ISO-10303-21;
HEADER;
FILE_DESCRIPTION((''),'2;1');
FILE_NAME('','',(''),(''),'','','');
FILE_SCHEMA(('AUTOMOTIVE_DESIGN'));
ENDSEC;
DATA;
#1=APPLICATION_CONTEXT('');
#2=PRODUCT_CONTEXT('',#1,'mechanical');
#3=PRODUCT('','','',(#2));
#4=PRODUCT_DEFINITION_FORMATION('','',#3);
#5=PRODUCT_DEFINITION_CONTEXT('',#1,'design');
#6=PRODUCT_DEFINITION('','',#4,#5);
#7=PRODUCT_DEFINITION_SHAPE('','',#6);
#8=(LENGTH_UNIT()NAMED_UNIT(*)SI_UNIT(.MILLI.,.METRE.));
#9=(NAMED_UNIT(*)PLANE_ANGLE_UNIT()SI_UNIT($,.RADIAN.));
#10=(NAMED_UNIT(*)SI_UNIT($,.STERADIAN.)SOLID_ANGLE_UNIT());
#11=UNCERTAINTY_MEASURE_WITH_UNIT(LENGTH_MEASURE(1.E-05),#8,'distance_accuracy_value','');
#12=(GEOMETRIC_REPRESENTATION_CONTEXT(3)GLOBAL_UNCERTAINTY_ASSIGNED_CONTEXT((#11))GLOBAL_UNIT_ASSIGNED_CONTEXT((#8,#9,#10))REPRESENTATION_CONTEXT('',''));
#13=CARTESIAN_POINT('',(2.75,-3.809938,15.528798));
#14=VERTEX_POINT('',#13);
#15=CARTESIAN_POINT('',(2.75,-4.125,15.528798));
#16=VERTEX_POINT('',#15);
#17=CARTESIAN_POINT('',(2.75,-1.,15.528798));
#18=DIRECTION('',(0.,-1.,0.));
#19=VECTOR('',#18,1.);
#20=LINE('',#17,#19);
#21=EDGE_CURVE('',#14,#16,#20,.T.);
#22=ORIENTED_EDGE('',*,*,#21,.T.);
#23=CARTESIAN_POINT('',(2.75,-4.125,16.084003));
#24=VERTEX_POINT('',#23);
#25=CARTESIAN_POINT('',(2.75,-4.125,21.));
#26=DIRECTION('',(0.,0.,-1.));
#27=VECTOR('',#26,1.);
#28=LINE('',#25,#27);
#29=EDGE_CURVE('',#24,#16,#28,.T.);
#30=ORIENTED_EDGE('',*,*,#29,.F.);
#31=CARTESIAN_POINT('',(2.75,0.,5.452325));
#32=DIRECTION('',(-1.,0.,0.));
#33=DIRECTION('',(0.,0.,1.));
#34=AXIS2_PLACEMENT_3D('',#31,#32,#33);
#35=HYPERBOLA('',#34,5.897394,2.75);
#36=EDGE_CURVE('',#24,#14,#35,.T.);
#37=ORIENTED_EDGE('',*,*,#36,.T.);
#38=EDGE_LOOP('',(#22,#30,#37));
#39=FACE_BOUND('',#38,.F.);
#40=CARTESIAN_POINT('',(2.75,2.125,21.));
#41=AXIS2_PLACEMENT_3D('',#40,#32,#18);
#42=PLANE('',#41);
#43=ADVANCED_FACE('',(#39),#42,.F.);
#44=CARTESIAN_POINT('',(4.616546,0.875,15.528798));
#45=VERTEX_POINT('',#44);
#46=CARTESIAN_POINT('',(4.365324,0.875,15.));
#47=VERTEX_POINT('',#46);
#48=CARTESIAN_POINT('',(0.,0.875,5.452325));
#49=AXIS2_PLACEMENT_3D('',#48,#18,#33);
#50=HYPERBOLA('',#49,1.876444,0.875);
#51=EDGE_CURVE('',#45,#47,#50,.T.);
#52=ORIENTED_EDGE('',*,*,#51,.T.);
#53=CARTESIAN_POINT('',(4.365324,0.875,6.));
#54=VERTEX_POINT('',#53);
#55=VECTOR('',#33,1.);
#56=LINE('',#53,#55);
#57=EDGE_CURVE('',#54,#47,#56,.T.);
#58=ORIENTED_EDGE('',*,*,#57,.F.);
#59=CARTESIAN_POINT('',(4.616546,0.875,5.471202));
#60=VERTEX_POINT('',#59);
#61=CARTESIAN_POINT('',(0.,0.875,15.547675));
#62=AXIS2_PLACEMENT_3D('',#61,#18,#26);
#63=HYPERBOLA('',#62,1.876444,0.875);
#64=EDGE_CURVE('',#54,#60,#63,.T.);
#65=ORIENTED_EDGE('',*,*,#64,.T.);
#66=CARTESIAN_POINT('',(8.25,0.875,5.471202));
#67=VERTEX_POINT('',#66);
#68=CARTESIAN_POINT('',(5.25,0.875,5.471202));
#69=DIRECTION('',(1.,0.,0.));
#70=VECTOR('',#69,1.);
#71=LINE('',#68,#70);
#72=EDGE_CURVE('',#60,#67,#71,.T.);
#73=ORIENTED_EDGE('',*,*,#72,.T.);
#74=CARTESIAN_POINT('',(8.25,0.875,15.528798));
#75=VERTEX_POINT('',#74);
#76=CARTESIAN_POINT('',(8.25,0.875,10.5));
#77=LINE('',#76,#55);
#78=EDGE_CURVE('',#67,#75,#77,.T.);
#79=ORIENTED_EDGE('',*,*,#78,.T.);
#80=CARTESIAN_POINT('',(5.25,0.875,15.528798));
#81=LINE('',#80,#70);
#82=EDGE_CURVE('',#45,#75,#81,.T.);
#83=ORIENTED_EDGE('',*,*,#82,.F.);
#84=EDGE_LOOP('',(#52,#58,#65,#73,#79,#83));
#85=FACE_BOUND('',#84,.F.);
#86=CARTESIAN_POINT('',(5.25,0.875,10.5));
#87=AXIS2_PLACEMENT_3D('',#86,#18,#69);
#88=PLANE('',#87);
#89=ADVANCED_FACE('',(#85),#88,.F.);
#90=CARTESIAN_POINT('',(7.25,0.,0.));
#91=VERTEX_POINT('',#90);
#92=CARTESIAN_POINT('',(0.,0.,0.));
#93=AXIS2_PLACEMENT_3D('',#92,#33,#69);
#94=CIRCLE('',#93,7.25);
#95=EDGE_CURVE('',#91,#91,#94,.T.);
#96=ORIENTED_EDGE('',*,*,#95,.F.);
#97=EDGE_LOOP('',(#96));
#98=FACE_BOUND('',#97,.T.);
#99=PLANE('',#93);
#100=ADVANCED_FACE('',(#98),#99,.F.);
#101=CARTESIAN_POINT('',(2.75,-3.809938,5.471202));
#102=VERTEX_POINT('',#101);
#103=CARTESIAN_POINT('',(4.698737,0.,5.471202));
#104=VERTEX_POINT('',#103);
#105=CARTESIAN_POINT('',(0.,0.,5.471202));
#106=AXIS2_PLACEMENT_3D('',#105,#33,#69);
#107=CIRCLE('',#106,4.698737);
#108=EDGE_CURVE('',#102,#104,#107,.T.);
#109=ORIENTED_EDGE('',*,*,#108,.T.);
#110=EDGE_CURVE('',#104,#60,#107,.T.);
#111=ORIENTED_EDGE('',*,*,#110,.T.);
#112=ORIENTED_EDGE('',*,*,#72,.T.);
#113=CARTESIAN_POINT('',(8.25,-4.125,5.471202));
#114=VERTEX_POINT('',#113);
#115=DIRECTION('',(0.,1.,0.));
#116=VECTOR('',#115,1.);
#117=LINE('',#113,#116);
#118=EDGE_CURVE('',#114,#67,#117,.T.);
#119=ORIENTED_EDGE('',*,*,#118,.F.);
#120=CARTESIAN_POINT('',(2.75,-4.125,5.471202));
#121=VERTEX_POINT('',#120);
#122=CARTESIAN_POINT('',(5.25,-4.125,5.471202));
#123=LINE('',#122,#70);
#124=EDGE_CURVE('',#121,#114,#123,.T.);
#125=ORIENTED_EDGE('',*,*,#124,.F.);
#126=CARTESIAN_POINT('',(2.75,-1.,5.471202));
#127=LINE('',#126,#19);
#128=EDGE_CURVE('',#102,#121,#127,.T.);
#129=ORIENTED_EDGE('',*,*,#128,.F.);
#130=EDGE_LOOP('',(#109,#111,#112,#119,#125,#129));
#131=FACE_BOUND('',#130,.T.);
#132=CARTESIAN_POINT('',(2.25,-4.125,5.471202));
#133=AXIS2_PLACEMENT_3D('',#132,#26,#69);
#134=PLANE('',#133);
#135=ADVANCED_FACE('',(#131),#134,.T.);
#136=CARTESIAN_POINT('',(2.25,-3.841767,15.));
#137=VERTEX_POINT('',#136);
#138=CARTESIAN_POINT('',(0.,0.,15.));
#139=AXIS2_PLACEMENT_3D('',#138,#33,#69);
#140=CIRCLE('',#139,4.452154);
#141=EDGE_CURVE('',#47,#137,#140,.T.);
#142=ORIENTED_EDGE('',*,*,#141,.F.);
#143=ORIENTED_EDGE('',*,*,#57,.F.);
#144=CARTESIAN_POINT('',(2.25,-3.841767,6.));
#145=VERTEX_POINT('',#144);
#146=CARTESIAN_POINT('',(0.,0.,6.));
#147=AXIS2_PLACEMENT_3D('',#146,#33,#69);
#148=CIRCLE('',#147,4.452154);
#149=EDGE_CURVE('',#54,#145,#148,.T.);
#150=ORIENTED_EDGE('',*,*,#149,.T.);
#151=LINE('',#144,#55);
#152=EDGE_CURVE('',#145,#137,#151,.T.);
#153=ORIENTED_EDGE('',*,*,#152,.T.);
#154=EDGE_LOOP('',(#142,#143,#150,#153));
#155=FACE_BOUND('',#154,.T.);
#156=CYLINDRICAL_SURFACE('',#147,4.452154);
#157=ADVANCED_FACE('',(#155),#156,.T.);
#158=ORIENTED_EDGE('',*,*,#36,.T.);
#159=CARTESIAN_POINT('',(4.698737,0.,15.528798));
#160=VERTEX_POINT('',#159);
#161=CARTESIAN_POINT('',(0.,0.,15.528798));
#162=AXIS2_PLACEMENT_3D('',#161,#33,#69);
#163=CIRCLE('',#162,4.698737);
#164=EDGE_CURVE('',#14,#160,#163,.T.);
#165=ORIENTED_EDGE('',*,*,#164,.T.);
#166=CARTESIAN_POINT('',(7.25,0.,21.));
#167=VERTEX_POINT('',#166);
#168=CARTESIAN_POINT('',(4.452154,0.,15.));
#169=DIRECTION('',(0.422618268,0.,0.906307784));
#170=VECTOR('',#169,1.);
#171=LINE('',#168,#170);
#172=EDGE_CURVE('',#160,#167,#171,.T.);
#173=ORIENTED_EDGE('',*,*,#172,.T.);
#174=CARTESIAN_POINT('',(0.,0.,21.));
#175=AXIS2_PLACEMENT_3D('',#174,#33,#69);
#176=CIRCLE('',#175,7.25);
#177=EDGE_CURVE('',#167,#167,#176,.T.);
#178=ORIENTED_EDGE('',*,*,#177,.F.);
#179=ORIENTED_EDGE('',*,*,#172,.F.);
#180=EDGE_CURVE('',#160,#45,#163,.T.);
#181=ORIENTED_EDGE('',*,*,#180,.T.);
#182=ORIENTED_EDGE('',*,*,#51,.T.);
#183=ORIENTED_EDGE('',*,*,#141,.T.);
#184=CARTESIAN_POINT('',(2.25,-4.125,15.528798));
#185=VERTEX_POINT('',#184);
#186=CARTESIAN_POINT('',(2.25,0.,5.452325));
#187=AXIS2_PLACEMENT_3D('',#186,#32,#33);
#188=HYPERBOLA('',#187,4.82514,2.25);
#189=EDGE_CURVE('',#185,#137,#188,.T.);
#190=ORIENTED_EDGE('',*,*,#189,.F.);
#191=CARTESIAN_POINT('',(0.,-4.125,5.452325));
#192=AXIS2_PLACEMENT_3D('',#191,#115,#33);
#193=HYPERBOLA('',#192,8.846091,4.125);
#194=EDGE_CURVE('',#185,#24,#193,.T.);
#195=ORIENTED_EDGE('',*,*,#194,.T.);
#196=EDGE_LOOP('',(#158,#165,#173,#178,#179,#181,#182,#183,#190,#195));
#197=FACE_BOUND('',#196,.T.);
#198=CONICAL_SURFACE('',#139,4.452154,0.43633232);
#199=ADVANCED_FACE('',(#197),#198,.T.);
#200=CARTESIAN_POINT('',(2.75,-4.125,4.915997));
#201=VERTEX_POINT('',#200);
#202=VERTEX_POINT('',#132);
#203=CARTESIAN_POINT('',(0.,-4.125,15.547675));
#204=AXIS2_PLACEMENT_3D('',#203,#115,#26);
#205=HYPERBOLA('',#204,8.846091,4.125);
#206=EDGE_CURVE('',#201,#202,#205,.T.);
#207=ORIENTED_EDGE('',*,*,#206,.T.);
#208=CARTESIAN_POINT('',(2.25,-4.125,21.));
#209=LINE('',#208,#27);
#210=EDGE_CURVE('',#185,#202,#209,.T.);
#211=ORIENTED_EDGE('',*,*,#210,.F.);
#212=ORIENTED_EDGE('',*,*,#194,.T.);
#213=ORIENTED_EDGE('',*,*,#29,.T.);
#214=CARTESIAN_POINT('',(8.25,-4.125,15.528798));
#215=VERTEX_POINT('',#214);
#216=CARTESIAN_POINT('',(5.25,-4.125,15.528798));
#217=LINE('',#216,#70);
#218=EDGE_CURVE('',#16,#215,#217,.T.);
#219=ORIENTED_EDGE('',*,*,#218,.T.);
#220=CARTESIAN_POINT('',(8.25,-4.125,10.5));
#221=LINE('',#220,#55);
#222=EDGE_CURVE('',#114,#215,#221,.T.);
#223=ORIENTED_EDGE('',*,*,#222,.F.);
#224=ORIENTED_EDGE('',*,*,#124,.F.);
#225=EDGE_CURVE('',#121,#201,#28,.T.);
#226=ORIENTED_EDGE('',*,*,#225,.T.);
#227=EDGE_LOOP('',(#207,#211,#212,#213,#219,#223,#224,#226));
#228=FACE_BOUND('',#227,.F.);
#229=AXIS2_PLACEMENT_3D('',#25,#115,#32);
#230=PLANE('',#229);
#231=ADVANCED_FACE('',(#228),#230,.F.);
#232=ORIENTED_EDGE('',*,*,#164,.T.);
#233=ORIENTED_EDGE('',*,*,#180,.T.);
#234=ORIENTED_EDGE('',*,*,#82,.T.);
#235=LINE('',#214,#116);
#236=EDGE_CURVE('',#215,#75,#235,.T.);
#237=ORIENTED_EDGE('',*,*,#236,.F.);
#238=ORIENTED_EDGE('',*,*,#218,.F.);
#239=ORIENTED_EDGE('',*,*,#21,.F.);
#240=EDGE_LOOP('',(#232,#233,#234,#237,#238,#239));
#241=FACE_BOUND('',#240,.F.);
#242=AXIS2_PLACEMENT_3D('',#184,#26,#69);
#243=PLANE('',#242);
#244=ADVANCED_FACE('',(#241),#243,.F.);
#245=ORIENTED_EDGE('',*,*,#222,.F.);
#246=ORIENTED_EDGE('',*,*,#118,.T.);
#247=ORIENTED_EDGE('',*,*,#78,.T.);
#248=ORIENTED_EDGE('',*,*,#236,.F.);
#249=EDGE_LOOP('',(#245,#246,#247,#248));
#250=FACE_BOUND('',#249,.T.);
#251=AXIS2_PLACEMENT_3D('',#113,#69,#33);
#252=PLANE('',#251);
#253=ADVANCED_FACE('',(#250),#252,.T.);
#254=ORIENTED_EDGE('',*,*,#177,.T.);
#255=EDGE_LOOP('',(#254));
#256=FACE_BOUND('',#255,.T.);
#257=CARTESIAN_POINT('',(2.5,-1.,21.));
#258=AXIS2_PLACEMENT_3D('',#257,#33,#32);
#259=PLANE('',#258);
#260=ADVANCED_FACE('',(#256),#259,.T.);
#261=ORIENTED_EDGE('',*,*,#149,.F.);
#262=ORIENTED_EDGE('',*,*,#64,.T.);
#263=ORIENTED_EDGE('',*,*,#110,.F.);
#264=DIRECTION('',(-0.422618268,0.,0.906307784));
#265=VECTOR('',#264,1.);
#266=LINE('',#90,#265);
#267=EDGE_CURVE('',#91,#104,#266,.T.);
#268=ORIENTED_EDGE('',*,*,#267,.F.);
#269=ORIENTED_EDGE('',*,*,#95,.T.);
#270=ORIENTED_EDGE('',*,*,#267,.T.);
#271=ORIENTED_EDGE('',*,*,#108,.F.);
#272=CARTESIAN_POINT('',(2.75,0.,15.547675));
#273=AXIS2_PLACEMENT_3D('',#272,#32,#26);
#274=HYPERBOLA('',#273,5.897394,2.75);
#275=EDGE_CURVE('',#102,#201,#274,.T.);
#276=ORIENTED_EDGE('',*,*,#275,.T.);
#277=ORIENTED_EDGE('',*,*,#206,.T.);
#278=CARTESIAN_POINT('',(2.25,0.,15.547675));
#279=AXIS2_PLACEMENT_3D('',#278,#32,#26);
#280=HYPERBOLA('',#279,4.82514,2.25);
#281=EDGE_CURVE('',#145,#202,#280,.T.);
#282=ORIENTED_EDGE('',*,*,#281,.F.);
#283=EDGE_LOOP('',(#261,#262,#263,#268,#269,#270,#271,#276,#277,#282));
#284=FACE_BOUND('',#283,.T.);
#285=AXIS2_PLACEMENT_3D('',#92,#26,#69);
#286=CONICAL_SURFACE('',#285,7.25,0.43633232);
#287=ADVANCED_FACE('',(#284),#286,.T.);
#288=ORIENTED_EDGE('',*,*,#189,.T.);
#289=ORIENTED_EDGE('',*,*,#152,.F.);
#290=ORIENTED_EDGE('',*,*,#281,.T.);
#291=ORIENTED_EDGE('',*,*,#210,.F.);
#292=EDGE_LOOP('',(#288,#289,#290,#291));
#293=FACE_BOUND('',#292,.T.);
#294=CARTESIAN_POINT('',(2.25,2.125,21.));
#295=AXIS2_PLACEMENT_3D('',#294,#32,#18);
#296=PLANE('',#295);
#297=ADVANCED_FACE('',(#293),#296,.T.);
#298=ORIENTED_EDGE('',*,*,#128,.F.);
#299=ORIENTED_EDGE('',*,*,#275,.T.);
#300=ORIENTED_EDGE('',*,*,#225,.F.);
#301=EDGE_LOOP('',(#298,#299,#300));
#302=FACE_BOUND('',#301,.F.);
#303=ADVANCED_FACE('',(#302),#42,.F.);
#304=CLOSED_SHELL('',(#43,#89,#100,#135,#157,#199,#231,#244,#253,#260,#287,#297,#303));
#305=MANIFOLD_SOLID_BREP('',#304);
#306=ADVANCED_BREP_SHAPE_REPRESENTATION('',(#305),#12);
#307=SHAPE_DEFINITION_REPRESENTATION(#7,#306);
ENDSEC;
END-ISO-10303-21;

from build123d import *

# Parameters (mm, degrees)
SKETCH001_W  = 0.5
SKETCH001_H  = 6.25
PAD_DEPTH    = 20
SKETCH002_W  = 6
SKETCH002_H  = 10.057596
PAD001_DEPTH = 5


with BuildPart() as part:
    # Sketch → Revolution (revolve)
    with BuildSketch(Plane.XZ):
        Polygon((0, 0), (7.25, 0), (4.452154, 6), (4.452154, 15), (7.25, 21), (0, 21), align=None)
    revolve(axis=Axis((0, 0, 0), (0, 0, 1)))

    # Sketch001 → Pad (new body)
    with BuildSketch(Plane(origin=(0, 0, 21), x_dir=(-1, 0, 0), z_dir=(0, 0, 1))):
        with Locations((-2.5, 1)):
            Rectangle(SKETCH001_W, SKETCH001_H)
    extrude(amount=-PAD_DEPTH)

    # Sketch002 → Pad001 (new body)
    with BuildSketch(Plane.XZ.offset(4.125)):
        with Locations((5.25, 10.5)):
            Rectangle(SKETCH002_W, SKETCH002_H)
    extrude(amount=-PAD001_DEPTH)


solid = part.part
